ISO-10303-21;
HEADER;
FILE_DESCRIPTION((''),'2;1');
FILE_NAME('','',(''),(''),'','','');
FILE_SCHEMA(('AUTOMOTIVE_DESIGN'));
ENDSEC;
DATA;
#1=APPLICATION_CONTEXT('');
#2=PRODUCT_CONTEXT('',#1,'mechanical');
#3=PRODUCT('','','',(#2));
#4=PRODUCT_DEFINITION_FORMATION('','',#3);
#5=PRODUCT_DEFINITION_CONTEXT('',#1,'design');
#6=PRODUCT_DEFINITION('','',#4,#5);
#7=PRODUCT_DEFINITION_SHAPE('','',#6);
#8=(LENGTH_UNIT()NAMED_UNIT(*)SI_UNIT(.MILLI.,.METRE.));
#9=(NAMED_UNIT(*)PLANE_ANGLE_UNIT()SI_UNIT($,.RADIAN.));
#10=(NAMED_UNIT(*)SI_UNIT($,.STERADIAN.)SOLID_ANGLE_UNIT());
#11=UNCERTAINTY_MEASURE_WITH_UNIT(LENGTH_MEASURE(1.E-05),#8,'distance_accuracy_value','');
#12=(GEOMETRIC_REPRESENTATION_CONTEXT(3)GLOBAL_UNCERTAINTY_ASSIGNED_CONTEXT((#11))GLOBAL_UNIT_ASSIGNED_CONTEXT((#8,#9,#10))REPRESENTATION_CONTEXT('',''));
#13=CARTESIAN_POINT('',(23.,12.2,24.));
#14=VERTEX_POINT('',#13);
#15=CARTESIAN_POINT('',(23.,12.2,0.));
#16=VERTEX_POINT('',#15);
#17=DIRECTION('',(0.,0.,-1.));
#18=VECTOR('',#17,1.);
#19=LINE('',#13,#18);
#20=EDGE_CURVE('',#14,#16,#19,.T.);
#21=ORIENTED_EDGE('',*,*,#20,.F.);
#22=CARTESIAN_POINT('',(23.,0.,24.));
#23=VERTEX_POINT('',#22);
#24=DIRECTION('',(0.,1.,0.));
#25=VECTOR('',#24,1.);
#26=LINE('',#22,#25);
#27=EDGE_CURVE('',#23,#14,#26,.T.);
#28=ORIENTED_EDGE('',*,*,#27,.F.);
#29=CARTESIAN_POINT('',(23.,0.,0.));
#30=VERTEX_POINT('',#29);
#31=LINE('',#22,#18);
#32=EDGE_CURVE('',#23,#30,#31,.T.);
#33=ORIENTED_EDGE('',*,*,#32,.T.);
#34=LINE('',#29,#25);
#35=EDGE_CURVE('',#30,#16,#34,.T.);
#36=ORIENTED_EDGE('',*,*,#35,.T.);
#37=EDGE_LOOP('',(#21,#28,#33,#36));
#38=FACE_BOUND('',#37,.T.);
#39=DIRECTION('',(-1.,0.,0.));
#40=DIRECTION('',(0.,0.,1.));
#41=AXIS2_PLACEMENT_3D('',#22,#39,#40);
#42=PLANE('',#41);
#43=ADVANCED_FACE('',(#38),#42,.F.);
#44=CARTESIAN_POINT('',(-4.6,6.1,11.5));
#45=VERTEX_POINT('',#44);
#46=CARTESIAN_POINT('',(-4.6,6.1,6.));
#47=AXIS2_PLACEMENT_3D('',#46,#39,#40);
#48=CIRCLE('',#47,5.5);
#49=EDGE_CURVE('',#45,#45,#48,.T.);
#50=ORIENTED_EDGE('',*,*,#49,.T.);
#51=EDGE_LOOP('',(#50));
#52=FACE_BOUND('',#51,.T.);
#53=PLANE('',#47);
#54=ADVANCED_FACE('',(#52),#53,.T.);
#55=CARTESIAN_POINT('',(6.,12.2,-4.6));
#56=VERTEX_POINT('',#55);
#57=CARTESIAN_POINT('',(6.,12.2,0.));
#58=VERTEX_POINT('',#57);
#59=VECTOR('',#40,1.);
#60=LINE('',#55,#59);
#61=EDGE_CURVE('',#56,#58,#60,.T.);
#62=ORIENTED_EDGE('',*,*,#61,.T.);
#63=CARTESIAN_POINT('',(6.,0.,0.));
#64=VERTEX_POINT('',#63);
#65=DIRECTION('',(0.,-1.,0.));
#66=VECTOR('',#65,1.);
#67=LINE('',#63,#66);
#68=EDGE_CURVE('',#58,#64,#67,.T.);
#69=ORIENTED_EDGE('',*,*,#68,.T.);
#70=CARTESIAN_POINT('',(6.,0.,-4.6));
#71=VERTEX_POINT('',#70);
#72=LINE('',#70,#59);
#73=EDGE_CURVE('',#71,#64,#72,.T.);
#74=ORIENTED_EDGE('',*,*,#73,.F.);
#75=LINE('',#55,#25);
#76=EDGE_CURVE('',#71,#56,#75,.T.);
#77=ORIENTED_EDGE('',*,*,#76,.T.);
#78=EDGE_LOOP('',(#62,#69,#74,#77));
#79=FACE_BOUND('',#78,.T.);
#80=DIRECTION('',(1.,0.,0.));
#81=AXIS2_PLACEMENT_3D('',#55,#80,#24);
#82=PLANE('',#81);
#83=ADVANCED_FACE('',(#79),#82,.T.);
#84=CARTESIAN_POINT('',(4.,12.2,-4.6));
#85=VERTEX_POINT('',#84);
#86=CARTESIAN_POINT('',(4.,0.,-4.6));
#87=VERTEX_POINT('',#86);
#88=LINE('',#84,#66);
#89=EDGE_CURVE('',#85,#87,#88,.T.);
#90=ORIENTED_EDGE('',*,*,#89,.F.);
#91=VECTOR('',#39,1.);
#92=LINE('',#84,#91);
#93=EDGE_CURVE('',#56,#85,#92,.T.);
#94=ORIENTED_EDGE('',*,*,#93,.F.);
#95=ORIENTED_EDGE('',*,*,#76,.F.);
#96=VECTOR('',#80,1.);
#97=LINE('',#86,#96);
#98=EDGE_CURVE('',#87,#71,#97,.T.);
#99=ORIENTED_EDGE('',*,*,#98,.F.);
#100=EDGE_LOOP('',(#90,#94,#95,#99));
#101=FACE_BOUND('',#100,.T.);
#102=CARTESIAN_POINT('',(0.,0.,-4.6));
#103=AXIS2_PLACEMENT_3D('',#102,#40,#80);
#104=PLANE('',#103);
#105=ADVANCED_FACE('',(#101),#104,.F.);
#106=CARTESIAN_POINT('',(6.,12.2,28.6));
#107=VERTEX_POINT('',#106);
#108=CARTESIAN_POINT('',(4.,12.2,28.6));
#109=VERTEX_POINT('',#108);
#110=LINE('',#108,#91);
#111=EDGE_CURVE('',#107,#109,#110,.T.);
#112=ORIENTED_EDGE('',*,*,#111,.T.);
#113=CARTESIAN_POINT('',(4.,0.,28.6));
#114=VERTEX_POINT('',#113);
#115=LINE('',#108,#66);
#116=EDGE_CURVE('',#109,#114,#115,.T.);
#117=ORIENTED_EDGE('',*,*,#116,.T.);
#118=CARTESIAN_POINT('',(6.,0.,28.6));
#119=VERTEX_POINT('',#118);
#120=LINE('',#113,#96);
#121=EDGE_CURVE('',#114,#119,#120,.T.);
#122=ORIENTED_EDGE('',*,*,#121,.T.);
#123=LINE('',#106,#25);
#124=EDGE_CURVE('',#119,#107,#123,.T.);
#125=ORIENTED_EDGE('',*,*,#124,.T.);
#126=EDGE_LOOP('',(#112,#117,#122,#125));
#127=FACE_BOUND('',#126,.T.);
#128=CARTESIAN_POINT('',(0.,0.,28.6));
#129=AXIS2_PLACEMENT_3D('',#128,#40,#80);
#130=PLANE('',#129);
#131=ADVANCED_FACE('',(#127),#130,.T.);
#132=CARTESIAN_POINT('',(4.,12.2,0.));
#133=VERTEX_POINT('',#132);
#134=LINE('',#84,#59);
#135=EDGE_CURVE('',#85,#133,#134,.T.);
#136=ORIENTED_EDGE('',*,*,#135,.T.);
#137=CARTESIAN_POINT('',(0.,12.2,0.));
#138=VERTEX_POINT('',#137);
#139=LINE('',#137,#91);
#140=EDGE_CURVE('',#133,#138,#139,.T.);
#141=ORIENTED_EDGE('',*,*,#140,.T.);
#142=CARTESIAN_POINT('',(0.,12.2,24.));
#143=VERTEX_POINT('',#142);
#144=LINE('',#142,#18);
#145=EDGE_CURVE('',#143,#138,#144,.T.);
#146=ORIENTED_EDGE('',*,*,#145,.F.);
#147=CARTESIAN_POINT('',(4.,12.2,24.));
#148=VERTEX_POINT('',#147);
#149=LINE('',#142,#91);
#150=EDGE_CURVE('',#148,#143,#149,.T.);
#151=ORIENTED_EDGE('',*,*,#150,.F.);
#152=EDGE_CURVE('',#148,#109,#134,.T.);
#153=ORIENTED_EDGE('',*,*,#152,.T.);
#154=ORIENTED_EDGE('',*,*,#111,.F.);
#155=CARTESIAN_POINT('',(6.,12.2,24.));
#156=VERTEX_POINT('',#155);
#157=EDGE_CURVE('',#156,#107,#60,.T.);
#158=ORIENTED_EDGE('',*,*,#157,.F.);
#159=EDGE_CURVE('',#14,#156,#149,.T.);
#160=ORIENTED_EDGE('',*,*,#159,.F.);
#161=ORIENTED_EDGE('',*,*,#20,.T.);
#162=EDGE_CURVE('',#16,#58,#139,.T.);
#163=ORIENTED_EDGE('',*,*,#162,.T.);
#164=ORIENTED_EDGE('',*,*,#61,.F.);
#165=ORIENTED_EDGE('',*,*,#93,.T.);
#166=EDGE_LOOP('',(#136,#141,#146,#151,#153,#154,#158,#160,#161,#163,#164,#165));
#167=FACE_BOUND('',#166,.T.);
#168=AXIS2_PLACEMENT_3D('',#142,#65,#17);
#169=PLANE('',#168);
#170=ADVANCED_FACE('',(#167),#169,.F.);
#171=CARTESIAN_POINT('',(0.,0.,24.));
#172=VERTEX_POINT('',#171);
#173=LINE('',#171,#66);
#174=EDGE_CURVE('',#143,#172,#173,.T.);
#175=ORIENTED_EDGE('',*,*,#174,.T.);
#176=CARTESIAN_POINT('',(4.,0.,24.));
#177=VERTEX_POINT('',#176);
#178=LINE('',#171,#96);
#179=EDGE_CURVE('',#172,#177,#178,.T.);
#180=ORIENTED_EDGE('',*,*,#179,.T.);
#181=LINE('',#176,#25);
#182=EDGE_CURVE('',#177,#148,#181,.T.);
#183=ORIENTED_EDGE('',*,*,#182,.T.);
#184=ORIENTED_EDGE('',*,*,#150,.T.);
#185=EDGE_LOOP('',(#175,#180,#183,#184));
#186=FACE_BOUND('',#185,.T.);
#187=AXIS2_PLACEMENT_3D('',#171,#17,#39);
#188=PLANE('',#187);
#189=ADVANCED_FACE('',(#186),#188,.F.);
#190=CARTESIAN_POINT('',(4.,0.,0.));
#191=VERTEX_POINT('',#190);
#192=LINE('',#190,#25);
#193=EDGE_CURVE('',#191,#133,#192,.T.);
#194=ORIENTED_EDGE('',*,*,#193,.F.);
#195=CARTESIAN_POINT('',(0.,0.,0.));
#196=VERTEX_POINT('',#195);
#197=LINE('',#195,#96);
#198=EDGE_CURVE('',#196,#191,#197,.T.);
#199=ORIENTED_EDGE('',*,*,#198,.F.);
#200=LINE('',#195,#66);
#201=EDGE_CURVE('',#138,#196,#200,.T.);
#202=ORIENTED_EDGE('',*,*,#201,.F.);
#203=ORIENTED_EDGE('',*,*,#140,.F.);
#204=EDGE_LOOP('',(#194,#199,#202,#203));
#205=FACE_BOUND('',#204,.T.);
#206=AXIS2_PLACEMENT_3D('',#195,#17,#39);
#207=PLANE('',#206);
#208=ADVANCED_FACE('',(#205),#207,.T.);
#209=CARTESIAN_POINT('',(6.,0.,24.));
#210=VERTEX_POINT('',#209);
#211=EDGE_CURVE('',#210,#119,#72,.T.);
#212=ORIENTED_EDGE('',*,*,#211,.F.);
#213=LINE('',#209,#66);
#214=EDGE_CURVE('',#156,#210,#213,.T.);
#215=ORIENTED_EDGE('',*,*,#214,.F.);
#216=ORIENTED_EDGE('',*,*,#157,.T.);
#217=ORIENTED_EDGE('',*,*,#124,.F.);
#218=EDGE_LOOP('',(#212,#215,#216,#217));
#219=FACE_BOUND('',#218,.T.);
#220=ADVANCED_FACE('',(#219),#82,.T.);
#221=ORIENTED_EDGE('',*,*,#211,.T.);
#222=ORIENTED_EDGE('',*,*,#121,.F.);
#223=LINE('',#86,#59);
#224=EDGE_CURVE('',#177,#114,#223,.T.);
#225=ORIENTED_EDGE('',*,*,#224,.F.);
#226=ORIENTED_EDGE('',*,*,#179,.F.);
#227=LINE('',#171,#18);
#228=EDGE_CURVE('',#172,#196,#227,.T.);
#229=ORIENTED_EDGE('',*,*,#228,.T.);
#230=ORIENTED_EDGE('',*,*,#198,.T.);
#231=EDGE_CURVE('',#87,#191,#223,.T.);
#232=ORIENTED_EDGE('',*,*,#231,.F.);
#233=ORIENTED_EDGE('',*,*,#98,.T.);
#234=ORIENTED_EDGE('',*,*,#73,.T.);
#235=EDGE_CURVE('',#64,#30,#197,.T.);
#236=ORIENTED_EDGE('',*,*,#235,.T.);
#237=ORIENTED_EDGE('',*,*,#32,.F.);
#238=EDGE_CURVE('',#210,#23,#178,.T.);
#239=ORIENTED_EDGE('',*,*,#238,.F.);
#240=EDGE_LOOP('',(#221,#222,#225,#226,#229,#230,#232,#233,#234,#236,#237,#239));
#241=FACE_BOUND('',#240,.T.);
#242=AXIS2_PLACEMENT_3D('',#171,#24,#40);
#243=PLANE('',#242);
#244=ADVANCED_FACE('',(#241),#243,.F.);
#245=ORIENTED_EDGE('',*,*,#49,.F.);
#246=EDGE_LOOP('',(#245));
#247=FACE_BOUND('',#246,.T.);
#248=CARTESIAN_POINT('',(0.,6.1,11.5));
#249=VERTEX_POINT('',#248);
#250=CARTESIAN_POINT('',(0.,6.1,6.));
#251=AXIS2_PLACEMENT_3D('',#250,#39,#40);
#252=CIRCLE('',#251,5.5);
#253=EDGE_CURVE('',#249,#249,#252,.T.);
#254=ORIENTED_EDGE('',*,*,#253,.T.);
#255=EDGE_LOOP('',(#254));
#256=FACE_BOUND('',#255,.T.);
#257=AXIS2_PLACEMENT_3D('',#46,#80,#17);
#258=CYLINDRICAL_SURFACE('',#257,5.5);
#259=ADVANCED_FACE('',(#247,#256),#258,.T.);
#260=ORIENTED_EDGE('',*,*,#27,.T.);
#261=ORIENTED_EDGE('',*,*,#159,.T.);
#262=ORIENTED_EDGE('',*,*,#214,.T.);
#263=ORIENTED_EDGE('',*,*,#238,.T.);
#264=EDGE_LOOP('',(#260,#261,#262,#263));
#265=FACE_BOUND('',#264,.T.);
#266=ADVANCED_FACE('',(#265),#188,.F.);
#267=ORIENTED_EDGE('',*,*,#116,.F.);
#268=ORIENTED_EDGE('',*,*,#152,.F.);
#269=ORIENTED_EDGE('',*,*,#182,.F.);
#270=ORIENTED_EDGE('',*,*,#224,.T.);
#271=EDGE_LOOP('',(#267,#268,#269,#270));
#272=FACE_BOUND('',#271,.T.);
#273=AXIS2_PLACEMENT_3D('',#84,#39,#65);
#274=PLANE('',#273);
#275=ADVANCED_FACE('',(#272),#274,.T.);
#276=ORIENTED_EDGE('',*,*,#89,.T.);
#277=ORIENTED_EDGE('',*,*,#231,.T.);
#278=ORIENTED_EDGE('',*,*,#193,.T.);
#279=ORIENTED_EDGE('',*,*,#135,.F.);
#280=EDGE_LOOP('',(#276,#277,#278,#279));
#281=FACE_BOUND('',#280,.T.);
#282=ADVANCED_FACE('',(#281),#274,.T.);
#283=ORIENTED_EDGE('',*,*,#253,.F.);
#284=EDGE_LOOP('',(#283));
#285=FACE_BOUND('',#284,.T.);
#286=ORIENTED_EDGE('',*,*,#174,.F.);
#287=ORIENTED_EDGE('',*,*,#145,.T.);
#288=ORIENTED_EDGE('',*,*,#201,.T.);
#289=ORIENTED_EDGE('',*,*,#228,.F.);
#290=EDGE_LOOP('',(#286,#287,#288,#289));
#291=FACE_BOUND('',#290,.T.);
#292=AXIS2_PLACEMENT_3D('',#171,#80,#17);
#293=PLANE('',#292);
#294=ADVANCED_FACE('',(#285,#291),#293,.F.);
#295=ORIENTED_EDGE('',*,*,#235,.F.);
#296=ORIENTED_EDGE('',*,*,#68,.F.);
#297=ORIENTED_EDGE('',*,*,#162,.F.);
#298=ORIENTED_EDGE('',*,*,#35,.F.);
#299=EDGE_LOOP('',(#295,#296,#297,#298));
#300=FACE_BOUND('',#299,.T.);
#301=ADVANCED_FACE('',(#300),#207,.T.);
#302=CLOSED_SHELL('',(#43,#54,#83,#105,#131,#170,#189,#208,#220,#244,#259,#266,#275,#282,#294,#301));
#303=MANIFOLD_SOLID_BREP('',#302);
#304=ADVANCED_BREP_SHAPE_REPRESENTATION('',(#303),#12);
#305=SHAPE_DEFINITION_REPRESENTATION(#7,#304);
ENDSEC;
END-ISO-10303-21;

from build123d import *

# Parameters (mm, degrees)
SKETCH_1_W           = 23
SKETCH_1_H           = 12.2
EXTRUDE_1_DEPTH      = 24
EXTRUDE_2_DEPTH      = 4.6
EXTRUDE_2_DEPTH_BACK = 28.6
SKETCH_2_W           = 2
SKETCH_2_H           = 12.2
SKETCH_3_R           = 5.5
EXTRUDE_3_DEPTH      = 4.6


with BuildPart() as part:
    # 草图1 → 凸台-拉伸1 (new body)
    with BuildSketch(Plane.XY):
        with Locations((11.5, 6.1)):
            Rectangle(SKETCH_1_W, SKETCH_1_H)
    extrude(amount=EXTRUDE_1_DEPTH)

    # 草图2 → 凸台-拉伸2 (add, two sides: drawn at the far end of the back side and taken through both)
    with BuildSketch(Plane.XY.offset(24).offset(-EXTRUDE_2_DEPTH_BACK)):
        with Locations((5, 6.1)):
            Rectangle(SKETCH_2_W, SKETCH_2_H)
    extrude(amount=EXTRUDE_2_DEPTH + EXTRUDE_2_DEPTH_BACK)

    # 草图3 → 凸台-拉伸3 (add)
    with BuildSketch(Plane.ZY):
        with Locations((6, 6.1)):
            Circle(SKETCH_3_R)
    extrude(amount=EXTRUDE_3_DEPTH)


solid = part.part
